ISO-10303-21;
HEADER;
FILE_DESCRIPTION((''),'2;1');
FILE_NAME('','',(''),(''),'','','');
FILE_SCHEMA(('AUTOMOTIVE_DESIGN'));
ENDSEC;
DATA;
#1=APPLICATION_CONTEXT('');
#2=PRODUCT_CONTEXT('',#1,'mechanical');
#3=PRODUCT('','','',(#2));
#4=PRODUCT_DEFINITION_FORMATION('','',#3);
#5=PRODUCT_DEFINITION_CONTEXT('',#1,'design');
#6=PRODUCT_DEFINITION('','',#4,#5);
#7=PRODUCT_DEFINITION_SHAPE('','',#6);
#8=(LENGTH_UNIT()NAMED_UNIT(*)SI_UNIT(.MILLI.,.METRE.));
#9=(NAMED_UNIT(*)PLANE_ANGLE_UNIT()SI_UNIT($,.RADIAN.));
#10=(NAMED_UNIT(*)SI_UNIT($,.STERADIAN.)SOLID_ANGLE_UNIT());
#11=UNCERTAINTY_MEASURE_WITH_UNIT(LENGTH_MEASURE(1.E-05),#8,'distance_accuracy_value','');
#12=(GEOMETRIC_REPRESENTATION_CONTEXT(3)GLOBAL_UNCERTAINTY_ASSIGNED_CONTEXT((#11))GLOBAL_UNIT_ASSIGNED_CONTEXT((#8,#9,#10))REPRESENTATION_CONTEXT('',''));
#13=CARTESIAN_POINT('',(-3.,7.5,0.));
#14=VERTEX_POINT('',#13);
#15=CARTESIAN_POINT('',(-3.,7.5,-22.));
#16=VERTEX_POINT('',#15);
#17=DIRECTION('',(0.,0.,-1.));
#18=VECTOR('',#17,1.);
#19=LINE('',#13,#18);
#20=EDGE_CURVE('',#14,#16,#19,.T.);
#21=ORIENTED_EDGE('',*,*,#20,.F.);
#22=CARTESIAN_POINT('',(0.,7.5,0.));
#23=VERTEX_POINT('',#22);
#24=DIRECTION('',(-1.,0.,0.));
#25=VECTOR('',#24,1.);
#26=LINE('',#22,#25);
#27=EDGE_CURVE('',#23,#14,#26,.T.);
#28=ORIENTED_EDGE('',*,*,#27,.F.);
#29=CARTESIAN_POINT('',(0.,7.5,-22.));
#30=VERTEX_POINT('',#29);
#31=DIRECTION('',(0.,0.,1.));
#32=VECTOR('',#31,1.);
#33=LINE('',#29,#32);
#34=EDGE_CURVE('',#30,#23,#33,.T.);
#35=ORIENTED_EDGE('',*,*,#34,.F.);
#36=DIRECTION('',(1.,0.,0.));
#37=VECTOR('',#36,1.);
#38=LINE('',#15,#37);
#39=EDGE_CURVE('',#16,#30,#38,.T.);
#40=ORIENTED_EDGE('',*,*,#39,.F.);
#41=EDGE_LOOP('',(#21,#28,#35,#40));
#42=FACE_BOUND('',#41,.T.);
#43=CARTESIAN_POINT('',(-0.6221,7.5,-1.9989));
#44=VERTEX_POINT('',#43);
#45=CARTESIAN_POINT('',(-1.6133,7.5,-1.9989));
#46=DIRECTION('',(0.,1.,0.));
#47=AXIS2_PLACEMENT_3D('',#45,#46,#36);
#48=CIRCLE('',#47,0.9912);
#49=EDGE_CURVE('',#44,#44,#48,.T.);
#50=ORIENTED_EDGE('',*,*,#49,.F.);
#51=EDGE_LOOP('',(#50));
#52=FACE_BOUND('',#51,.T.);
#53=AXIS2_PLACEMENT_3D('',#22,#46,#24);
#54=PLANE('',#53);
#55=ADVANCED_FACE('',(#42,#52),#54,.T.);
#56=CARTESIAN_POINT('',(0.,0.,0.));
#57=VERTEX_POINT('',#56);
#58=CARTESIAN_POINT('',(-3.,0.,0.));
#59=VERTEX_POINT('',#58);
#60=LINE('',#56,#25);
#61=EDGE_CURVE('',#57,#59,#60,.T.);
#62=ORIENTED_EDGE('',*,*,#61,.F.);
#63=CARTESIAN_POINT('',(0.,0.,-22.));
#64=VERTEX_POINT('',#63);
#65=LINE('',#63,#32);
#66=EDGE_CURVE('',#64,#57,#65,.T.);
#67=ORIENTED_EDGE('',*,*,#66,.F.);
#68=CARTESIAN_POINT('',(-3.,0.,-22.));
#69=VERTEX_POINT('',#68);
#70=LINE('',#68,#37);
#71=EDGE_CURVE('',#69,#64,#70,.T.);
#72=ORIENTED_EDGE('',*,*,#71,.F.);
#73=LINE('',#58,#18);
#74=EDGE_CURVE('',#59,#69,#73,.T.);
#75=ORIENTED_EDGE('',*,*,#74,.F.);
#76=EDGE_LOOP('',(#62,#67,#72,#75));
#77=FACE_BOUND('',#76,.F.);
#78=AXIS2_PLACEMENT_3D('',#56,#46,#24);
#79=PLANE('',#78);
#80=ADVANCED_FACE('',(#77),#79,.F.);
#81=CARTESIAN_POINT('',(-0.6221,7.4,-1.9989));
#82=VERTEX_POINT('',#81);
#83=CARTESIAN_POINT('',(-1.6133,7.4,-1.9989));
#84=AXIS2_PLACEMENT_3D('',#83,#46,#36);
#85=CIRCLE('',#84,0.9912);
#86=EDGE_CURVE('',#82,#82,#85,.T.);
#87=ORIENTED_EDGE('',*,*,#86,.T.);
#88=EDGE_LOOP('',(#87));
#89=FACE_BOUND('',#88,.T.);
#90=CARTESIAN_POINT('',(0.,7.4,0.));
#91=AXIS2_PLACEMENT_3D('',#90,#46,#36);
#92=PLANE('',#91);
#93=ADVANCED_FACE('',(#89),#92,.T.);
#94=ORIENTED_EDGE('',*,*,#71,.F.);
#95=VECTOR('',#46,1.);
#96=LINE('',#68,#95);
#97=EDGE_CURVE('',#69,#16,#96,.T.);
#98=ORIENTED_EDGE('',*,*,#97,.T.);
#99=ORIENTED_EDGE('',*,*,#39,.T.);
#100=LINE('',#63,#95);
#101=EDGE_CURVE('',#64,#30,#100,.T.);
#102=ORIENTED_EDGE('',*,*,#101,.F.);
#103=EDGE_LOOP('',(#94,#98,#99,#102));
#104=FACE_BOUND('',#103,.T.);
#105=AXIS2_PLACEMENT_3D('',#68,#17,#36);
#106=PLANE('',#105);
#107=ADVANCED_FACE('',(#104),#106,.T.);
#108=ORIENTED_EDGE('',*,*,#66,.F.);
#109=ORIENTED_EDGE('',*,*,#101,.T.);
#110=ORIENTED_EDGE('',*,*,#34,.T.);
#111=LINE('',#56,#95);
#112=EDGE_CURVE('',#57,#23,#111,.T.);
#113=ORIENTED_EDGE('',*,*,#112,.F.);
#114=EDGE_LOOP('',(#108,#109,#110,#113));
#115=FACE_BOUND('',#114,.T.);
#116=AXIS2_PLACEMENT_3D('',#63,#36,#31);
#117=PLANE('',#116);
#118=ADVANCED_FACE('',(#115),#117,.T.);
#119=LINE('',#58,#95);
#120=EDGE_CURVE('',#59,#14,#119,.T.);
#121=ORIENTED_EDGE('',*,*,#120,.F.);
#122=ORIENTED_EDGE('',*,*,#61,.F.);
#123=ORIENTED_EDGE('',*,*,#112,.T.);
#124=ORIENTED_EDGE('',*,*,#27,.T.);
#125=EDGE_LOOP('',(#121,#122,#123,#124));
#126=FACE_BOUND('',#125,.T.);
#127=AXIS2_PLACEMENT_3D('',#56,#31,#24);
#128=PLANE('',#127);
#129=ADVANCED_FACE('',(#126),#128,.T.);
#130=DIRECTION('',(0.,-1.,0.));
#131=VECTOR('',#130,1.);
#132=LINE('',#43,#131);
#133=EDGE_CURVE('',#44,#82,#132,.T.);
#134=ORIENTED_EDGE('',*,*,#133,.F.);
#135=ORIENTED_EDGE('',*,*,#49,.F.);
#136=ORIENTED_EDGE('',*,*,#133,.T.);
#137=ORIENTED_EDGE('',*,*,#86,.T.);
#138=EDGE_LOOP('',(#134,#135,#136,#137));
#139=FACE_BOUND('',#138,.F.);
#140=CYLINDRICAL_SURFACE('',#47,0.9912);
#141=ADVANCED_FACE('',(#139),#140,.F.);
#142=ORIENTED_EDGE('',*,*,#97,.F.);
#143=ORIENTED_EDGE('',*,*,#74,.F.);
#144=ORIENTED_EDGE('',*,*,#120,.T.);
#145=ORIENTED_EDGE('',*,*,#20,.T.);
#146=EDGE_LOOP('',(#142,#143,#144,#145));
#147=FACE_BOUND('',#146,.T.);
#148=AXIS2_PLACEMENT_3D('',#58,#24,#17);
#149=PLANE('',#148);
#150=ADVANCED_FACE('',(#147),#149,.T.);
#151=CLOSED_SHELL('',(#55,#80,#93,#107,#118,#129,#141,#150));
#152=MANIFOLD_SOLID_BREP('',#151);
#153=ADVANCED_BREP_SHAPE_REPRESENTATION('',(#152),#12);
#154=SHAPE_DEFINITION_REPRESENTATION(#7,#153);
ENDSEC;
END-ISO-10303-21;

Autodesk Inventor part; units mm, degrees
ref_plane "YZ Plane" through (0, 0, 0) normal (1, 0, 0) x (0, 1, 0)
ref_plane "XZ Plane" through (0, 0, 0) normal (0, 1, 0) x (-1, 0, 0)
ref_plane "XY Plane" through (0, 0, 0) normal (0, 0, 1) x (1, 0, 0)
sketch "Sketch1" plane through (0, 0, 0) normal (0, 1, 0) x (-1, 0, 0)
  line L0 (0, 0) -> (3, 0)
  line L1 (3, 0) -> (3, -22)
  line L2 (3, -22) -> (0, -22)
  line L3 (0, -22) -> (0, 0)
  dimension "d0" = 3
  dimension "d1" = 22
extrude "Extrusion1" add sketch "Sketch1" along normal blind 7.5
sketch "Sketch2" plane through (0, 7.5, 0) normal (0, 1, 0) x (1, 0, 0)
  circle A0 centre (-1.6133, 1.9989) radius 0.9912
  point P0 (0, 0)
extrude "Extrusion2" cut sketch "Sketch2" against normal blind 0.1
properties part number "backbackmotorwall"
